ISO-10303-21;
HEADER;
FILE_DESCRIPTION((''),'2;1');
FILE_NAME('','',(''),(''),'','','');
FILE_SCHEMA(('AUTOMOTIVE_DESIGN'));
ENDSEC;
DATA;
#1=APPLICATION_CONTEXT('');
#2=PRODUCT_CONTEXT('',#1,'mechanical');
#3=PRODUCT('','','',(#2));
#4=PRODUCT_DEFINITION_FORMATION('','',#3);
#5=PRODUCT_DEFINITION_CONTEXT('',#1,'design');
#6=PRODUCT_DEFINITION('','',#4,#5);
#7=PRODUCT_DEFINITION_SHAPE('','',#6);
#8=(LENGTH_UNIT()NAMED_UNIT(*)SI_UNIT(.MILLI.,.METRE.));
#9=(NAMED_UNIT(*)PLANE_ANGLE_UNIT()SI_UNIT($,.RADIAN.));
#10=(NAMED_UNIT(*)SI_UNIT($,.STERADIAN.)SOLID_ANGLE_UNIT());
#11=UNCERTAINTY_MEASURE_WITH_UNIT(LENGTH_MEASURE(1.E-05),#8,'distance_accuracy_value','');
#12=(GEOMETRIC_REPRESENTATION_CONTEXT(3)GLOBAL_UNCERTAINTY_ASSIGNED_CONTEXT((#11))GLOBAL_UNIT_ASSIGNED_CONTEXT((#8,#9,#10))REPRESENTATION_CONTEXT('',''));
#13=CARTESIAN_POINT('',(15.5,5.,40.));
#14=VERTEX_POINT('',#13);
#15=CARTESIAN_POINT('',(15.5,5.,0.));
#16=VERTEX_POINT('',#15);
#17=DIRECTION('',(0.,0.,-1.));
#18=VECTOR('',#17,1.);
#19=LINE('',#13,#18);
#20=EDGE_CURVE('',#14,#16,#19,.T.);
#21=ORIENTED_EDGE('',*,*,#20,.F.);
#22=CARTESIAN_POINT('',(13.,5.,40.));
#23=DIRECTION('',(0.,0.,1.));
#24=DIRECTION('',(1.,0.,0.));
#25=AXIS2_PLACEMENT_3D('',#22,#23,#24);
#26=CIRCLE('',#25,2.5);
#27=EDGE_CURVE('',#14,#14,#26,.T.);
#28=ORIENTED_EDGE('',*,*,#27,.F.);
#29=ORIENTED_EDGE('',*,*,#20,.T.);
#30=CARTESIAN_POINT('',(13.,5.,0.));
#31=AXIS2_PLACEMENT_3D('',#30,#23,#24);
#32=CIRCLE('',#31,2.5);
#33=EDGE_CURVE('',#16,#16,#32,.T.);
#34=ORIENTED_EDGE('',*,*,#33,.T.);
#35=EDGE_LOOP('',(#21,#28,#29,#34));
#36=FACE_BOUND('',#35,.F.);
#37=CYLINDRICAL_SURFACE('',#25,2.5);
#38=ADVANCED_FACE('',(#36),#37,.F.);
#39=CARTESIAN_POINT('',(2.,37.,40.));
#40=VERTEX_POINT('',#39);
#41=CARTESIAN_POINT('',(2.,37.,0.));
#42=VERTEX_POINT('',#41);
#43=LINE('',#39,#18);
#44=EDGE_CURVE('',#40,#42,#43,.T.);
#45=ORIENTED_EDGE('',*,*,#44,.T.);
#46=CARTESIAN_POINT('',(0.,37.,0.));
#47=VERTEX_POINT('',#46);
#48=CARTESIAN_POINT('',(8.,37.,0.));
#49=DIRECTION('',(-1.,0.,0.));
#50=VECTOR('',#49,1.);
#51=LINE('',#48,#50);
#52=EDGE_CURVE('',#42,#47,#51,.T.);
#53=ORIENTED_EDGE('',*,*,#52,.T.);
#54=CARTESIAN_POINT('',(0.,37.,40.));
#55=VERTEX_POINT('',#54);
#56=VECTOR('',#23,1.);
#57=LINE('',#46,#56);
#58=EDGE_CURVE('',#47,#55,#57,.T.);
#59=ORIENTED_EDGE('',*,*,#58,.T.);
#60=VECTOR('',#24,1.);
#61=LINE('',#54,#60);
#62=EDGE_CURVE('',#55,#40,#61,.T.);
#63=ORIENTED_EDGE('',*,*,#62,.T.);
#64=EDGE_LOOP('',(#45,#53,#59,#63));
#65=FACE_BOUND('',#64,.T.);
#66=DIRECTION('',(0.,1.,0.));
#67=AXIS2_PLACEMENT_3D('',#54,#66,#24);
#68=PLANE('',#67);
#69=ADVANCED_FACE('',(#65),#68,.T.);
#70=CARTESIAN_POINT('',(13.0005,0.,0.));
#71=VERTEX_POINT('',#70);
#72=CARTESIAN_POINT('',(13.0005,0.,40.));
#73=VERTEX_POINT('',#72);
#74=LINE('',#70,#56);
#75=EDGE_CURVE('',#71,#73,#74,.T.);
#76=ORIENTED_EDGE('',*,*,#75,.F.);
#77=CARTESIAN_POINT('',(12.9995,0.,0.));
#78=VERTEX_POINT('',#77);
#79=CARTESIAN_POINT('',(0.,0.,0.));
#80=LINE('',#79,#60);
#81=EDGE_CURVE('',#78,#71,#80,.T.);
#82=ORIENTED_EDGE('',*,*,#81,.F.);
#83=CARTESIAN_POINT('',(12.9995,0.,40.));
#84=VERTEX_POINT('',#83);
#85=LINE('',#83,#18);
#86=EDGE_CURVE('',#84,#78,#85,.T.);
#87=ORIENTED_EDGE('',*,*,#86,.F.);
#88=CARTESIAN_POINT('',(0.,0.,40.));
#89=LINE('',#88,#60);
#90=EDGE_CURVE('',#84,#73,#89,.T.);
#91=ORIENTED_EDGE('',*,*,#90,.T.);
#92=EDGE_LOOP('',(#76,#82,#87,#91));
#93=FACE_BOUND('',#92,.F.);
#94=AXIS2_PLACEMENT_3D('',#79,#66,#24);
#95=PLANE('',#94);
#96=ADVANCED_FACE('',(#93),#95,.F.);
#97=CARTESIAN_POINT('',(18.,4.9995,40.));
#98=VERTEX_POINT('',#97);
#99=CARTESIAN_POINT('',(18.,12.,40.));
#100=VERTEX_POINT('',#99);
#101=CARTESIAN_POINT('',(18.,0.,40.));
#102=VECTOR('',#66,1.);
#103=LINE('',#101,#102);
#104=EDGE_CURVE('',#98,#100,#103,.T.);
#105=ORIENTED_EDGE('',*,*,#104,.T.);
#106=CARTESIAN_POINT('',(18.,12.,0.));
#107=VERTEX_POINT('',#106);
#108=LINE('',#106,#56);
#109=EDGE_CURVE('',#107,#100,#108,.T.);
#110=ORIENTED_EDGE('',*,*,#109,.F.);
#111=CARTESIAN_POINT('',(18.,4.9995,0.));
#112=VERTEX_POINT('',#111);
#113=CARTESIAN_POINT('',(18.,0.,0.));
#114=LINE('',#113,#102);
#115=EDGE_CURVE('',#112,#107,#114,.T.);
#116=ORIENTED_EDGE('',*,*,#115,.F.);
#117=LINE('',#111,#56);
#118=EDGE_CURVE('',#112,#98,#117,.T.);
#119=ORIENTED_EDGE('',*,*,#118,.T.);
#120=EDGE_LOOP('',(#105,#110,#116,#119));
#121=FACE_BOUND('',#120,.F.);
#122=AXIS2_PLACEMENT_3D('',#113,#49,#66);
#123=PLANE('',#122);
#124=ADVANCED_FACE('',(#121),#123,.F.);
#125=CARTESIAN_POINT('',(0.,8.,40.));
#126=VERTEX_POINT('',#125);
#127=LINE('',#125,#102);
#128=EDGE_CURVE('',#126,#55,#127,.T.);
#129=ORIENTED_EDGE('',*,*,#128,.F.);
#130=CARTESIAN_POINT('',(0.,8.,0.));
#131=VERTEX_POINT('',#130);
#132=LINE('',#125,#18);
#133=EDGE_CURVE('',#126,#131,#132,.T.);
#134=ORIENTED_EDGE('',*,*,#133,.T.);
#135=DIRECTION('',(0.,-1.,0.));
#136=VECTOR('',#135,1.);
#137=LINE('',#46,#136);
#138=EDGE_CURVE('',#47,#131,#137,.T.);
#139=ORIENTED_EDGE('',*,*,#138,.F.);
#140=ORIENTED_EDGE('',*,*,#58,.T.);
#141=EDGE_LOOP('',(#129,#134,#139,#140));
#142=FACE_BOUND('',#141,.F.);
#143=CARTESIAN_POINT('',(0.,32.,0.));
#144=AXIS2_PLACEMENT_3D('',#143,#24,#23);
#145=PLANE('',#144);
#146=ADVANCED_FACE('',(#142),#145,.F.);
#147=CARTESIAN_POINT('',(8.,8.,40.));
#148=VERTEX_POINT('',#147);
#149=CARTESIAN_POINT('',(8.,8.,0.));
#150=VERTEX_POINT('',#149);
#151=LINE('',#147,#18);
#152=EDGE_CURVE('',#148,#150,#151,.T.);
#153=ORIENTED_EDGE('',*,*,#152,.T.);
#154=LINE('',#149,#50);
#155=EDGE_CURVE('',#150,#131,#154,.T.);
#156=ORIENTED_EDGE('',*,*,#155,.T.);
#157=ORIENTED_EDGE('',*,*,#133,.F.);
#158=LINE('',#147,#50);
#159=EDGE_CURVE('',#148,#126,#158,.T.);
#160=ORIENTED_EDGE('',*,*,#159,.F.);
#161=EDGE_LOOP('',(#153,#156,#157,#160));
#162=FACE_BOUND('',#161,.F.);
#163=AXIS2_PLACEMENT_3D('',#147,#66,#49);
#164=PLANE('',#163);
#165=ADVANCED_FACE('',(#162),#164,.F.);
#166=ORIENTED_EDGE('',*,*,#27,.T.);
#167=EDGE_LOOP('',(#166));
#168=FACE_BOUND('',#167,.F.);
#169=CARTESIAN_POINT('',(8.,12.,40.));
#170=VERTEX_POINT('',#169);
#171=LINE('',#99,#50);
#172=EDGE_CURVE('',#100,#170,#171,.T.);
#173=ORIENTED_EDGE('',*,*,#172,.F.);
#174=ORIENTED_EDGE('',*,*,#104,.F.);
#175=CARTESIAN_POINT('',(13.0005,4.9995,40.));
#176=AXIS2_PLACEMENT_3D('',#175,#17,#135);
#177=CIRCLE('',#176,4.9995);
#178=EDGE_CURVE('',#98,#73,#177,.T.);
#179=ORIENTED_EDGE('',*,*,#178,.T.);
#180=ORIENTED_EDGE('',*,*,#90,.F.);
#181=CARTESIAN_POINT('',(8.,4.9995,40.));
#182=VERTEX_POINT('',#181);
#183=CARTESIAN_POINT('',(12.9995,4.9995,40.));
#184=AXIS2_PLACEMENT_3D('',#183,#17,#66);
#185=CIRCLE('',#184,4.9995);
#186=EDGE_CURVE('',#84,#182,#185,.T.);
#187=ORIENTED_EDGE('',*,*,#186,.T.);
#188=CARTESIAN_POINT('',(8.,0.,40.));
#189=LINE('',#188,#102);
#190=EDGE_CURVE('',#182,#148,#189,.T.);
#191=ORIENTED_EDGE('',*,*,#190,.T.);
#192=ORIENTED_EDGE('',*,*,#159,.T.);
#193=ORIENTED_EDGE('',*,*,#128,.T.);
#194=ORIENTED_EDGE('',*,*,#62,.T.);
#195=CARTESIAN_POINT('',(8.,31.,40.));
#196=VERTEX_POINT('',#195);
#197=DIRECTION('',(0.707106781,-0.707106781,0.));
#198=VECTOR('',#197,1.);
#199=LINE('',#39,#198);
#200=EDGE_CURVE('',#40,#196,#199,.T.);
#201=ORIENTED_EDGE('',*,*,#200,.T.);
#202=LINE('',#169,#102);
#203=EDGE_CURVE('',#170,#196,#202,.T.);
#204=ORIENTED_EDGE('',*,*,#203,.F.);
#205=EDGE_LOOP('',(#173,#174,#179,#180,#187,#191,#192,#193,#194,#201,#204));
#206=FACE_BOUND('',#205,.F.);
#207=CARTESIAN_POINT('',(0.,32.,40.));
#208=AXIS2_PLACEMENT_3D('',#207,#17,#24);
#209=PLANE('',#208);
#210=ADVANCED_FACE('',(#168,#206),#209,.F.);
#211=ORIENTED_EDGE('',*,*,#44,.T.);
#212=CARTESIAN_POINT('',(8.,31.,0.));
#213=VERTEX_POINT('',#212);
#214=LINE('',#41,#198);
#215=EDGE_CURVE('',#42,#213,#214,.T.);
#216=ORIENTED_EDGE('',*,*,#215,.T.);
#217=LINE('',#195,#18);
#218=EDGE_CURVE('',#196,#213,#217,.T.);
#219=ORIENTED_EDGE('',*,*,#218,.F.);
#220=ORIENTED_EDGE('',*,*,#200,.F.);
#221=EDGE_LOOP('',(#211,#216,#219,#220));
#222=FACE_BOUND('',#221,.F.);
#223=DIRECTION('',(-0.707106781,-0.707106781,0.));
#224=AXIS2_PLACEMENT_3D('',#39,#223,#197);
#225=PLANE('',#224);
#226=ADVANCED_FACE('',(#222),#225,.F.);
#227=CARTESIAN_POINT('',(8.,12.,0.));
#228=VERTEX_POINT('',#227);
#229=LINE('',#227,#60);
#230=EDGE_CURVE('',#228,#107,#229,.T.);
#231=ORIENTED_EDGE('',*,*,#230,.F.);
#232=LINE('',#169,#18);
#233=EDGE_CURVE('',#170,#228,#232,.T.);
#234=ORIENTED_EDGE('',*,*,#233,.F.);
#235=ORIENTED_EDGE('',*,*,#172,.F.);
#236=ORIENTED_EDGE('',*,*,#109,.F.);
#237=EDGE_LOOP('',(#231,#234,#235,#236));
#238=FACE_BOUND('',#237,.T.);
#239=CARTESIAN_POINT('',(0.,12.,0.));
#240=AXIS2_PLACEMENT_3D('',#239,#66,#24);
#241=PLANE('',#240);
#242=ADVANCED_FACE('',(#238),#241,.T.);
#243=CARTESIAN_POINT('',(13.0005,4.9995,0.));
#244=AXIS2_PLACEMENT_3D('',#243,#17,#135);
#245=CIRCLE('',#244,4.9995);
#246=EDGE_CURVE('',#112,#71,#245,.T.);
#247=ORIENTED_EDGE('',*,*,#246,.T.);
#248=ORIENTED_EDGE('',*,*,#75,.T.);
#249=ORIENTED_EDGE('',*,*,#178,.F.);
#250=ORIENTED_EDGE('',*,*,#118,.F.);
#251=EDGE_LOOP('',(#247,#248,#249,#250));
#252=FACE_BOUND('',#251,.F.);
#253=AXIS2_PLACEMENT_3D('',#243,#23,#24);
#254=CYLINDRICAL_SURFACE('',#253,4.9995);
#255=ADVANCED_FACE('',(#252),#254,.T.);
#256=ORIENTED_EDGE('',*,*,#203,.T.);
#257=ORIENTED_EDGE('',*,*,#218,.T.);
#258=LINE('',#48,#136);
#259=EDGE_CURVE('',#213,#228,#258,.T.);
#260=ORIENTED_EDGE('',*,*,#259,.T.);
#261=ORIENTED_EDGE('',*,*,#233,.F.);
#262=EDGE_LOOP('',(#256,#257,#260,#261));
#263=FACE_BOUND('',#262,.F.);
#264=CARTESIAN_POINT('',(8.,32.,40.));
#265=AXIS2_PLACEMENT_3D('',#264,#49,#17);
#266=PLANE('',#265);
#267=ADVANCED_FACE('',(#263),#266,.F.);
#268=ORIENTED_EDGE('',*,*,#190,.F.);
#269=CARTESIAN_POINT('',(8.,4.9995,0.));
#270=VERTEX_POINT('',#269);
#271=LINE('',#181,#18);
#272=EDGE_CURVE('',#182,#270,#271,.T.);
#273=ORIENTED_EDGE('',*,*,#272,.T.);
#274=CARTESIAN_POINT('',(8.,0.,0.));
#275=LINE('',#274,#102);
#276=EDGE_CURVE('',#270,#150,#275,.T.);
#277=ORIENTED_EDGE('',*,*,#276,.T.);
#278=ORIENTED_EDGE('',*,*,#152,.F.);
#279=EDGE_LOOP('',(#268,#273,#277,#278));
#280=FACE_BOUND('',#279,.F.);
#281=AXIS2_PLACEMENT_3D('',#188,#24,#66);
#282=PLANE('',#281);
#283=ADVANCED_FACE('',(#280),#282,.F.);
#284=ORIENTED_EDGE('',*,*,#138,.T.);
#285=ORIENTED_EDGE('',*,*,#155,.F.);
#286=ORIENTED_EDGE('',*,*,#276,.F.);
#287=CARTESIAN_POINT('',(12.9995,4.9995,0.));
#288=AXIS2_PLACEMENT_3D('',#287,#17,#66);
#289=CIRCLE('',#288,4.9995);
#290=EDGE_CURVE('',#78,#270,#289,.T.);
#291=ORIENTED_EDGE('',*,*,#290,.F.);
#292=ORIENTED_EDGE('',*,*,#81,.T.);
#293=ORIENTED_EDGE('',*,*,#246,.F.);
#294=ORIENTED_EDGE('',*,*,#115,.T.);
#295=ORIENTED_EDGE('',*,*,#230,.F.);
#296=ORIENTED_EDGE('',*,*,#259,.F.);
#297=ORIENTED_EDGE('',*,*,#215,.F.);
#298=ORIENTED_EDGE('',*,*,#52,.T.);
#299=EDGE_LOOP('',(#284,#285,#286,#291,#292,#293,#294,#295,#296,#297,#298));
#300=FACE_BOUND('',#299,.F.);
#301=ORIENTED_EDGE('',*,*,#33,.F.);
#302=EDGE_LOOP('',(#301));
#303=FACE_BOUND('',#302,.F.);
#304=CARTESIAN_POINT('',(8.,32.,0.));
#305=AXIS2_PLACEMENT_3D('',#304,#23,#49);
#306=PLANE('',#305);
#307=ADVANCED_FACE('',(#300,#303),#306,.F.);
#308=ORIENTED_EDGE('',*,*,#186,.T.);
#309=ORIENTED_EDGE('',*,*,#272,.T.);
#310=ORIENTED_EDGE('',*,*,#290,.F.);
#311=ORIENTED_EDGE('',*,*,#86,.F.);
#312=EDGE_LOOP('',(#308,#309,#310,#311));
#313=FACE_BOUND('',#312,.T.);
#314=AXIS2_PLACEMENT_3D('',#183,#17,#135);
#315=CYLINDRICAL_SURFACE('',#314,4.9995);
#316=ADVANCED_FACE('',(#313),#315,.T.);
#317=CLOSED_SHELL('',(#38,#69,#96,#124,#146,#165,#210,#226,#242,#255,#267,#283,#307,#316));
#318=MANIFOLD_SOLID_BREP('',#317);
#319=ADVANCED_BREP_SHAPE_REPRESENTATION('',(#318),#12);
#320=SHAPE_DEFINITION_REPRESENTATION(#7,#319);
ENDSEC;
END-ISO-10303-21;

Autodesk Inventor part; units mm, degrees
ref_plane "YZ Plane" through (0, 0, 0) normal (1, 0, 0) x (0, 1, 0)
ref_plane "XZ Plane" through (0, 0, 0) normal (0, 1, 0) x (-1, 0, 0)
ref_plane "XY Plane" through (0, 0, 0) normal (0, 0, 1) x (1, 0, 0)
sketch "Sketch1" plane through (0, 0, 0) normal (0, 0, 1) x (1, 0, 0)
  line L0 (0, 0) -> (18, 0)
  line L1 (18, 0) -> (18, 32)
  line L2 (18, 32) -> (0, 32)
  line L3 (0, 32) -> (0, 0)
  dimension "d0" = 18
  dimension "d1" = 32
extrude "Extrusion1" add sketch "Sketch1" along normal blind 40
sketch "Sketch2" plane through (0, 0, 40) normal (0, 0, 1) x (1, 0, 0)
  point P0 (0, 0)
sketch "Sketch3" plane through (0, 32, 0) normal (0, 1, 0) x (1, 0, 0)
  line L0 (18, -40) -> (8, -40)
  line L1 (8, -40) -> (8, 0)
  line L2 (8, 0) -> (18, 0)
  line L3 (18, 0) -> (18, -40)
  point P0 (0, 0)
  dimension "d4" = 10
  dimension "d5" = 40
extrude "Extrusion2" cut sketch "Sketch3" against normal blind 20
sketch "Sketch4" plane through (0, 0, 40) normal (0, 0, 1) x (1, 0, 0)
  line L0 (0, 32) -> (0, 0) projected
  line L1 (0, 0) -> (8, 0)
  line L2 (8, 0) -> (8, 8)
  line L3 (8, 8) -> (0, 8)
  line L4 (0, 8) -> (0, 0)
  dimension "d8" = 8
  dimension "d9" = 8
extrude "Extrusion3" cut sketch "Sketch4" against normal blind 40
fillet "Fillet1" radius 5 2 edges at (18, 0, 20) (8, 0, 20)
sketch "Sketch5" plane through (0, 0, 40) normal (0, 0, 1) x (1, 0, 0)
  arc A0 (8, 5) -> (18, 5) centre (13, 5) ccw projected
  circle A1 centre (13, 5) radius 2.5
  point P0 (0, 0)
  dimension "d13" = 5
extrude "Extrusion4" cut sketch "Sketch5" against normal blind 40
sketch "Sketch6" plane through (0, 32, 40) normal (0, 1, 0) x (1, 0, 0)
  line L0 (0, 0) -> (8, 0) projected
  line L1 (8, 0) -> (8, 40) projected
  line L2 (0, 0) -> (8, 0)
  line L3 (8, 0) -> (8, 40)
  line L4 (8, 40) -> (0, 40)
  line L5 (0, 40) -> (0, 0)
extrude "Extrusion5" add sketch "Sketch6" along normal blind 5
sketch "Sketch7" plane through (0, 0, 40) normal (0, 0, 1) x (1, 0, 0)
  line L0 (8, 37) -> (0, 37) projected
  line L1 (2, 37) -> (8, 31)
  line L2 (8, 37) -> (8, 12) projected
  point P0 (0, 0)
  dimension "d18" = 6
extrude "Extrusion6" cut sketch "Sketch7" against normal blind 40
properties part number "Hinge"
